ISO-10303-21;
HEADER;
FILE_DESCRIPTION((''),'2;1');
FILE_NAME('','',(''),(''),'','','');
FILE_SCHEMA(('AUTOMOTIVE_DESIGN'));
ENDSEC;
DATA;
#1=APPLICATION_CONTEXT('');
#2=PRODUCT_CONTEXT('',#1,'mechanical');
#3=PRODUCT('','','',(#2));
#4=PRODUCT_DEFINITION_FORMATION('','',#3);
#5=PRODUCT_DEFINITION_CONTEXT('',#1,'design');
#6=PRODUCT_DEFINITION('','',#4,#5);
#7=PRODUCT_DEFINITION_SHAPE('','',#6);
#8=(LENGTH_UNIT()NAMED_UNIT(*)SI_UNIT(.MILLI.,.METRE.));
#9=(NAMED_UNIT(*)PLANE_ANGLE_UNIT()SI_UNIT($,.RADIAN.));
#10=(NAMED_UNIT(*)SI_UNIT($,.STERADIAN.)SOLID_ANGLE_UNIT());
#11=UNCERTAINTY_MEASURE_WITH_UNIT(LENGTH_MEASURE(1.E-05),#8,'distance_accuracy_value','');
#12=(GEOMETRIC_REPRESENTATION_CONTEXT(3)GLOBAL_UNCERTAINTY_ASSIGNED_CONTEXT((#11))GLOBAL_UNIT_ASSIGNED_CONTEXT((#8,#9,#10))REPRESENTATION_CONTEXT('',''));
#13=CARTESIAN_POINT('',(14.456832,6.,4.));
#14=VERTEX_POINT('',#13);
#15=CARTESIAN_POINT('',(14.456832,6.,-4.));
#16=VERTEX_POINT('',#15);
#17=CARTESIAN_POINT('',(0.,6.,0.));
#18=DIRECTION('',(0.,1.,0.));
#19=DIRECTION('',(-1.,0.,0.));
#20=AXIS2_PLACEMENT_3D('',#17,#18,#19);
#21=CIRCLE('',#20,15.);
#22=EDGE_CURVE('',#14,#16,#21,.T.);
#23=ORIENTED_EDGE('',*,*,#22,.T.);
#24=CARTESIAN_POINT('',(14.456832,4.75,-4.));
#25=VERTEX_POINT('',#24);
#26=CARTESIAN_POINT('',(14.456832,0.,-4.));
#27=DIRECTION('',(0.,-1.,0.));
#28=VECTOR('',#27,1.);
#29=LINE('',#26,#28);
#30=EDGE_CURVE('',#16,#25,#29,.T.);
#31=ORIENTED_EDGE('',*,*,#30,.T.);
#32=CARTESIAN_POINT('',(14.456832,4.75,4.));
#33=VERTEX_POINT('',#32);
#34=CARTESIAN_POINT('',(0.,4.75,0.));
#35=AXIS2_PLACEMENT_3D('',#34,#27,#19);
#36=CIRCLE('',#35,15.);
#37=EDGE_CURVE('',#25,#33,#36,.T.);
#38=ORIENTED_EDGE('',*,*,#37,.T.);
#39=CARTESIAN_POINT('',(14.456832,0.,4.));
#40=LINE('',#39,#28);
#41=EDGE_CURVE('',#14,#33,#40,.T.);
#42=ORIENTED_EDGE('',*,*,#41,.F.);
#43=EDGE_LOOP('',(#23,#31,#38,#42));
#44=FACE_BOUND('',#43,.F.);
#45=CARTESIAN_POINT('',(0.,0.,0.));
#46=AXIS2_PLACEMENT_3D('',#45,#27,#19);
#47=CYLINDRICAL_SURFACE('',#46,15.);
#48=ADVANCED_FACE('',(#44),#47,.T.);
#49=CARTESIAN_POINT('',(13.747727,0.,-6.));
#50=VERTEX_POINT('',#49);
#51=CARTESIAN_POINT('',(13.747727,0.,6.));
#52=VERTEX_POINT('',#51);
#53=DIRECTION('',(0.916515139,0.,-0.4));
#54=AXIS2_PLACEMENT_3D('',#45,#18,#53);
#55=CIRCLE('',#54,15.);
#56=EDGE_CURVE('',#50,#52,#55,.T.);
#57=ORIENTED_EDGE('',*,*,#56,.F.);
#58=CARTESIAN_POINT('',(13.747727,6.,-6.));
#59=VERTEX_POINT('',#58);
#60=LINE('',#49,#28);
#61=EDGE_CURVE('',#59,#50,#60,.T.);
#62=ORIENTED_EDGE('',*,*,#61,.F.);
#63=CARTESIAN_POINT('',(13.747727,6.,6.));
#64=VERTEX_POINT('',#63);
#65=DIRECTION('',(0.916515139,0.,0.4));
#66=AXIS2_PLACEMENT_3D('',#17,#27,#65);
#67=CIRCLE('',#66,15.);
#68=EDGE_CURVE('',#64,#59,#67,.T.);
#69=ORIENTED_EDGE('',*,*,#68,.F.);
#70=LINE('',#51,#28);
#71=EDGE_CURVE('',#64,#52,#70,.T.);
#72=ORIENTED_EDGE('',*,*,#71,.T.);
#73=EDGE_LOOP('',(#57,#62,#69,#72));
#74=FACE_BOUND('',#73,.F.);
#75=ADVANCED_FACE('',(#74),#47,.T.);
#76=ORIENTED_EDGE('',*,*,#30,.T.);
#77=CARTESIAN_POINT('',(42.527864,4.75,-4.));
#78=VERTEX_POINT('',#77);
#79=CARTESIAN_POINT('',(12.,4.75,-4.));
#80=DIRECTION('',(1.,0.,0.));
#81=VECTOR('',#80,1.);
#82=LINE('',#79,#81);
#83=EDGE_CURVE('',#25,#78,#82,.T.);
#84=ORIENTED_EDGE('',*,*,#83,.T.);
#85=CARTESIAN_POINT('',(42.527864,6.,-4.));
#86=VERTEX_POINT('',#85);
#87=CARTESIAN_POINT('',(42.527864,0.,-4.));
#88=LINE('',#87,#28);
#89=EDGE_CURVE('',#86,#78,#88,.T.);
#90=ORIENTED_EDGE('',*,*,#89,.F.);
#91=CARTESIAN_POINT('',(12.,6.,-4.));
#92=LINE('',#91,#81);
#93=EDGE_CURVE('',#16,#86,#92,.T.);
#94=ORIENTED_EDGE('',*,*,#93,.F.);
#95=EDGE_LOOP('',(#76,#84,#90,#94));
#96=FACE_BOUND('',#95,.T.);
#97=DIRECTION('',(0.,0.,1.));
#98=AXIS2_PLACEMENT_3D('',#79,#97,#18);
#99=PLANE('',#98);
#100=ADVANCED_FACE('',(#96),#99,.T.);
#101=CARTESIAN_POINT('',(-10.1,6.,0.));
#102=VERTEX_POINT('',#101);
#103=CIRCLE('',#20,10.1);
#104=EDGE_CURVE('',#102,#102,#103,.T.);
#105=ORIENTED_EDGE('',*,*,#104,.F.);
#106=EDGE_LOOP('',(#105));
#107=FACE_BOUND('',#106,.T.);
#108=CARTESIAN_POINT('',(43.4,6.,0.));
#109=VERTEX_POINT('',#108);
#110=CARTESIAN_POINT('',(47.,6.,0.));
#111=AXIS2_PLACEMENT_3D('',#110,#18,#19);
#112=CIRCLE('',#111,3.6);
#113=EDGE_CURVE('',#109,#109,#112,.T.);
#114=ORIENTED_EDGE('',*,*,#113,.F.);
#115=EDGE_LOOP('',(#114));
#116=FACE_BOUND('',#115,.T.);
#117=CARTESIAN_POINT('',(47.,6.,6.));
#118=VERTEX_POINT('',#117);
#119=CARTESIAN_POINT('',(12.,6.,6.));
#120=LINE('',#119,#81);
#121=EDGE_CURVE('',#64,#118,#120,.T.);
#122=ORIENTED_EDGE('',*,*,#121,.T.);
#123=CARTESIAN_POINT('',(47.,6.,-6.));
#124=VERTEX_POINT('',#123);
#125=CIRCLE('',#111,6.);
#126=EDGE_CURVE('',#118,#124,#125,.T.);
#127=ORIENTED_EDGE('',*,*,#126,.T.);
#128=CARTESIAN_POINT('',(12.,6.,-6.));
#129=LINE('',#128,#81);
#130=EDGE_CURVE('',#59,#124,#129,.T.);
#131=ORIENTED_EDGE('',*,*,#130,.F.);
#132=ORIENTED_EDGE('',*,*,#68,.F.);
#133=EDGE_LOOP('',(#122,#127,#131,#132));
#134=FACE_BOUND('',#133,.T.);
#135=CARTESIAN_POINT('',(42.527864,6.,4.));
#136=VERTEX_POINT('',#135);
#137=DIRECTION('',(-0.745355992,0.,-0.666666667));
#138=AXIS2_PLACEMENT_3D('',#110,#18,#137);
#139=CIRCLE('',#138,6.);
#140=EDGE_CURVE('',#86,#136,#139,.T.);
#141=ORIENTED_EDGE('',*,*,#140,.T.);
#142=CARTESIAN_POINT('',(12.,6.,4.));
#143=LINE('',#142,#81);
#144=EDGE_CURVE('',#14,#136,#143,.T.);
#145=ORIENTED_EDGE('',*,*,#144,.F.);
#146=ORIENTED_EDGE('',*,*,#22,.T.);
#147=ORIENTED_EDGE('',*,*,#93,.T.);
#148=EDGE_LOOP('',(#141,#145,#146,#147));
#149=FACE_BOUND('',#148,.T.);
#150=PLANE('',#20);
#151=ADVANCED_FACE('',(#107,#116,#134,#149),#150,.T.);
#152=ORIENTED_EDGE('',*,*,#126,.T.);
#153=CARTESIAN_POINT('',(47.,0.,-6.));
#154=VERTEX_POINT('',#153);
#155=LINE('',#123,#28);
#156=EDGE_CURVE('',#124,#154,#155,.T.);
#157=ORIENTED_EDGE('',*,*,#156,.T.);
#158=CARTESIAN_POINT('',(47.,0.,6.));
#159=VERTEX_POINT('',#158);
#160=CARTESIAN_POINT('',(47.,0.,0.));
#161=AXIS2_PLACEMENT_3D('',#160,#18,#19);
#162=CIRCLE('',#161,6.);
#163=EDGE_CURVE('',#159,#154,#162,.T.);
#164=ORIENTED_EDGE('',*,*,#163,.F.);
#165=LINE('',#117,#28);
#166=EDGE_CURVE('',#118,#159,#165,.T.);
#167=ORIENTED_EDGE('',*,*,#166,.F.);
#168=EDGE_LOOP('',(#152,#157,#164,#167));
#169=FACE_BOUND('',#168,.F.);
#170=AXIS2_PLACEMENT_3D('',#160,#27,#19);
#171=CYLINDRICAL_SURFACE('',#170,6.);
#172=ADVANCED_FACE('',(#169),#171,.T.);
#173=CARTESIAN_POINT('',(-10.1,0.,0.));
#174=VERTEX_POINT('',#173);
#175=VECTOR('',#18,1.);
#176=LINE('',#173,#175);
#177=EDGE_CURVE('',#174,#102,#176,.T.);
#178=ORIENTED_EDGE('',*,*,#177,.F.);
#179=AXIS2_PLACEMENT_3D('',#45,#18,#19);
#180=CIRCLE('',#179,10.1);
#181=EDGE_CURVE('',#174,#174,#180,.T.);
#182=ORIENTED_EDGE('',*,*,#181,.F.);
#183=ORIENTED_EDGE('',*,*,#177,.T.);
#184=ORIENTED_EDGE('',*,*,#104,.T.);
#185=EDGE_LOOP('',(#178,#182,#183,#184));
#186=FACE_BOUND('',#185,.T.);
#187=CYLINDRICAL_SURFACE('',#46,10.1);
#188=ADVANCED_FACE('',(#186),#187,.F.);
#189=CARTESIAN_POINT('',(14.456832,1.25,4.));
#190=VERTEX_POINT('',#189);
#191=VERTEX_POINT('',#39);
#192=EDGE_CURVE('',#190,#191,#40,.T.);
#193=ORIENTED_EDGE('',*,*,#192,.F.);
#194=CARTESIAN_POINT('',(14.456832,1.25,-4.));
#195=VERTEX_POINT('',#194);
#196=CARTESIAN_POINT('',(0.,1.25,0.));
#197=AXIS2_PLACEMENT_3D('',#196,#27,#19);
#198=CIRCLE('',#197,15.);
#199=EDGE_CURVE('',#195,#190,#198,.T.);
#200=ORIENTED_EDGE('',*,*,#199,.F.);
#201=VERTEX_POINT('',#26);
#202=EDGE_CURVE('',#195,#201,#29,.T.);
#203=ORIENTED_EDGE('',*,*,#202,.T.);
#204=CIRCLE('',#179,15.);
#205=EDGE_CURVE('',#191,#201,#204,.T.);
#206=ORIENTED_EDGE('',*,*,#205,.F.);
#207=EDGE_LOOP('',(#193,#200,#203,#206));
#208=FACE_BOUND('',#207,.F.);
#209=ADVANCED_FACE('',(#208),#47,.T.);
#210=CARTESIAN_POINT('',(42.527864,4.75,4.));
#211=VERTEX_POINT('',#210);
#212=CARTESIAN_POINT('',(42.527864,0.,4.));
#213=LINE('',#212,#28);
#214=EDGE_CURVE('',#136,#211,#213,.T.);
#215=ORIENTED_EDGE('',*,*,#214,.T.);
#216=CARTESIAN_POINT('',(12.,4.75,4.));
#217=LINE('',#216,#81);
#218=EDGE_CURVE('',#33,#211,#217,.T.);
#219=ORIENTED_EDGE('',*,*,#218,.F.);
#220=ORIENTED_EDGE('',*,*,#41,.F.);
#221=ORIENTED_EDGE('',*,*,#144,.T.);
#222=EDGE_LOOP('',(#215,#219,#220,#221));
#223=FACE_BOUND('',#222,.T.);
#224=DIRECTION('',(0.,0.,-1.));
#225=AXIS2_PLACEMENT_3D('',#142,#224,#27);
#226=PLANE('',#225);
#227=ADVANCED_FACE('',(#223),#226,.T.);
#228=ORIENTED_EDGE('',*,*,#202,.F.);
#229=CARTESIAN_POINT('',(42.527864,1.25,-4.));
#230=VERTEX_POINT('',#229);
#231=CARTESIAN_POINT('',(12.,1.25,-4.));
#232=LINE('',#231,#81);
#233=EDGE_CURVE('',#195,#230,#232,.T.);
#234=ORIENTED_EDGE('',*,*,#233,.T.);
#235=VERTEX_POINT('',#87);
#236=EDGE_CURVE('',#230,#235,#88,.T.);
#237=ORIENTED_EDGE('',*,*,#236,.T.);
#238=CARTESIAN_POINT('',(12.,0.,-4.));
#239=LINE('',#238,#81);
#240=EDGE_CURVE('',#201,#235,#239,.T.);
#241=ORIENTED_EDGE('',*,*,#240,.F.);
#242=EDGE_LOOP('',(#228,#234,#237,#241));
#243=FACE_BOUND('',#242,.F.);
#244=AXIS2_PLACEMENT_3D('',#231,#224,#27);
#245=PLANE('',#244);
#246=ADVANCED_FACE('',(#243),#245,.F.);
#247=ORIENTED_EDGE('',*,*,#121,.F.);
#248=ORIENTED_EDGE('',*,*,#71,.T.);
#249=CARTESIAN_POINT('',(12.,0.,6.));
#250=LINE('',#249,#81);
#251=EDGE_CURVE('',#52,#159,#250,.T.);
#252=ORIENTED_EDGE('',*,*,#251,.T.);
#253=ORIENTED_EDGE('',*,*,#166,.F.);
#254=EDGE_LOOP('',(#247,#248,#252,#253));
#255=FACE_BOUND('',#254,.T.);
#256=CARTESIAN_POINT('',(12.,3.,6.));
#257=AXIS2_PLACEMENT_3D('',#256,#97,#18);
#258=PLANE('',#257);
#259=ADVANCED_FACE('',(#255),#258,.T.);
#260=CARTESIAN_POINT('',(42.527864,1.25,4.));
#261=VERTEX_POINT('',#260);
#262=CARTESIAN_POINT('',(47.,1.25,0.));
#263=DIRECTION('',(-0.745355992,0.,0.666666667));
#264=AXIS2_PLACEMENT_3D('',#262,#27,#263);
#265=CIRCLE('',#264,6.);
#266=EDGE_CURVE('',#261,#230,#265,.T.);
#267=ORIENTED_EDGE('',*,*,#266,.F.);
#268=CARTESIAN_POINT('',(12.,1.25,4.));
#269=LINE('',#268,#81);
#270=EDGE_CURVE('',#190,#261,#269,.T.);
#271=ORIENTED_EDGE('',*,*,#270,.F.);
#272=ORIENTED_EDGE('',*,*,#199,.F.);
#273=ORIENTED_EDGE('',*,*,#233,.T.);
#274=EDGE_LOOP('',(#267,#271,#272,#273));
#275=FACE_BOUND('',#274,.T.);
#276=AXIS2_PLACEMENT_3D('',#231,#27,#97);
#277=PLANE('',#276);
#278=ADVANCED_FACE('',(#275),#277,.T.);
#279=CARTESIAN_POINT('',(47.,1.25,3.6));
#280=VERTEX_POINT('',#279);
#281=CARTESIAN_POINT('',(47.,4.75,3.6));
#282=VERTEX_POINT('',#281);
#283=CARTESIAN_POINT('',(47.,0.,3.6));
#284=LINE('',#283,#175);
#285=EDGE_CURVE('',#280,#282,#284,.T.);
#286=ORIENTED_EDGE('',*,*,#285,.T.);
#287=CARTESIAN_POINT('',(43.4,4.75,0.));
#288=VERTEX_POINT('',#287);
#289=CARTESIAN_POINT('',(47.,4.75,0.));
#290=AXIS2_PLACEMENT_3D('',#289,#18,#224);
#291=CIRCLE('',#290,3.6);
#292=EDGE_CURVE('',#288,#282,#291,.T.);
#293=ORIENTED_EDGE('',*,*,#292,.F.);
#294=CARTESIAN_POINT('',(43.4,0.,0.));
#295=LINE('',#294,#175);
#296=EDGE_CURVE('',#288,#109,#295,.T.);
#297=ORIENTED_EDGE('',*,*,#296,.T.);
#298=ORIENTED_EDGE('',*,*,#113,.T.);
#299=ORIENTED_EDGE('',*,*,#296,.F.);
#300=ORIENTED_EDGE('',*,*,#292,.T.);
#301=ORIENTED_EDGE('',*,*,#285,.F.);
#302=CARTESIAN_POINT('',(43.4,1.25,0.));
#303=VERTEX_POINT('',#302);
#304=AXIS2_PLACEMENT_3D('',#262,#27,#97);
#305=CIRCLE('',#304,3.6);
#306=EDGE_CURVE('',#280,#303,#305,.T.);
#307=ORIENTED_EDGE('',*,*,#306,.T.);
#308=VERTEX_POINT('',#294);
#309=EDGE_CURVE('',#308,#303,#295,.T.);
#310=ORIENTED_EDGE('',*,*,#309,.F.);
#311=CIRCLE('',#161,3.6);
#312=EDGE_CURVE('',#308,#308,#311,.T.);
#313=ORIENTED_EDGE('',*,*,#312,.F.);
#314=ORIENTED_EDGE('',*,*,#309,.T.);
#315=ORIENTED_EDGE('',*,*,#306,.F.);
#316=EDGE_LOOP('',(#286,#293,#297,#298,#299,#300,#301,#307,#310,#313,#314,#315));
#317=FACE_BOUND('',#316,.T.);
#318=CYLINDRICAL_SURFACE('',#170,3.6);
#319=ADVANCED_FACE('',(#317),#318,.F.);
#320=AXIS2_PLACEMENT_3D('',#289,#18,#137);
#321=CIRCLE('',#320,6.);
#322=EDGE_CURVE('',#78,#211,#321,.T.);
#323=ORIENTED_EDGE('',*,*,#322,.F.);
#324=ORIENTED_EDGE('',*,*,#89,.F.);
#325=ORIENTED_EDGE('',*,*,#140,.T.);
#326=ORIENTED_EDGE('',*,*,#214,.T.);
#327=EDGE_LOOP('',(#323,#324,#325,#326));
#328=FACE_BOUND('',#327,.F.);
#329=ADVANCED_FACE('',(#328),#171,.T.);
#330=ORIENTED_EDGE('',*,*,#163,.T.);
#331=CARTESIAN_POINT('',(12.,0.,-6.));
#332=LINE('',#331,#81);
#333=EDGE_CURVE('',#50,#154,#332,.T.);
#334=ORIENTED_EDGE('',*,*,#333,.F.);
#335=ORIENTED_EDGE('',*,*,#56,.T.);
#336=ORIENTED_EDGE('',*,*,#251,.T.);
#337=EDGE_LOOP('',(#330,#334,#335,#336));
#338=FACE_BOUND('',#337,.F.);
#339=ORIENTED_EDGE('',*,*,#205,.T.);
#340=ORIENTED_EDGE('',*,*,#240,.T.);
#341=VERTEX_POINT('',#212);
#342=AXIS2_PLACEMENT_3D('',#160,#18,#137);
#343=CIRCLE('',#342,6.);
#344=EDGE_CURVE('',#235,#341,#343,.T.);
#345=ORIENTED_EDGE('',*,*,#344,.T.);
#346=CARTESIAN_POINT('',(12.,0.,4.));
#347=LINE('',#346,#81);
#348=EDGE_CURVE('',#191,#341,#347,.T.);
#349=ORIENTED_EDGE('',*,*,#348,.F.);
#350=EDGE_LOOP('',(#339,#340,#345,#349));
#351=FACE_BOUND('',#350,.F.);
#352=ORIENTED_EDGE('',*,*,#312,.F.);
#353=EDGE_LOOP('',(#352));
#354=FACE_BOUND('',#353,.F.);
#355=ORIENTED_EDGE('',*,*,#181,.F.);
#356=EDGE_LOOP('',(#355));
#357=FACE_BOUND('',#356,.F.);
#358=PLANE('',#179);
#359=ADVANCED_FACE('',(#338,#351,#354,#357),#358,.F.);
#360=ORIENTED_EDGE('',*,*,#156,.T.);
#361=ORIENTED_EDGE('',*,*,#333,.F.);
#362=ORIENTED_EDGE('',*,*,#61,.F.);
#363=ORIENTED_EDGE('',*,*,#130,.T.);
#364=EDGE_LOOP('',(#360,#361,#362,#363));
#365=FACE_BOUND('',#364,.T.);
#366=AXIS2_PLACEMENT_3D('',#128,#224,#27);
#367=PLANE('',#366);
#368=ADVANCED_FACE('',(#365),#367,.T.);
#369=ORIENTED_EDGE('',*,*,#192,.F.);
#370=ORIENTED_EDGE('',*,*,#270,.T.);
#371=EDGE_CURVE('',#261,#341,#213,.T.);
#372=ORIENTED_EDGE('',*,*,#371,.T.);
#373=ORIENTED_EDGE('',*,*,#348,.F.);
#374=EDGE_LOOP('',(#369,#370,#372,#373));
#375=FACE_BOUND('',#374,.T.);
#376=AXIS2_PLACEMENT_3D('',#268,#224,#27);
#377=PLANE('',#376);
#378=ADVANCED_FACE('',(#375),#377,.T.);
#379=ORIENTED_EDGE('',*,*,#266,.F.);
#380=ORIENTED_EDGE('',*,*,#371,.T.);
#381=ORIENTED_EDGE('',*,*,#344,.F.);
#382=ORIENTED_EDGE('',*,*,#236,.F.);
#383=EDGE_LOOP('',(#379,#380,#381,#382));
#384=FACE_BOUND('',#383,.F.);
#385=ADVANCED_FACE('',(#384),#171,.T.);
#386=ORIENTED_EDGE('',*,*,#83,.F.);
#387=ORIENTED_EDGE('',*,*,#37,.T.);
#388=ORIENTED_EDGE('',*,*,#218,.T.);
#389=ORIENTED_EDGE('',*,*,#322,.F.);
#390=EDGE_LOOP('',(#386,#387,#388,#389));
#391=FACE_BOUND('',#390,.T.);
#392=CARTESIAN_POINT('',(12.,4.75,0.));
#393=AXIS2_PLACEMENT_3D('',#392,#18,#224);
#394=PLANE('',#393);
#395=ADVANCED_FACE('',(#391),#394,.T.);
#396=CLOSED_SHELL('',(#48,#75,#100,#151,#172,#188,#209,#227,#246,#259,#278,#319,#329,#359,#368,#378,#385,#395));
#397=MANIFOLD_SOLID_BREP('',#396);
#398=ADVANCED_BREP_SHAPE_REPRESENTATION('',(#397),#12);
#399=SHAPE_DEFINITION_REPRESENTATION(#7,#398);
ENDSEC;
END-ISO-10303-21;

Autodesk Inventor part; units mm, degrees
ref_plane "XZ Plane" through (0, 0, 0) normal (0, 1, 0) x (-1, 0, 0)
ref_plane "XY Plane" through (0, 0, 0) normal (0, 0, 1) x (1, 0, 0)
sketch "草图1" plane through (0, 0, 0) normal (0, 1, 0) x (-1, 0, 0)
  circle A0 centre (0, 0) radius 10.1
  circle A1 centre (0, 0) radius 15
  dimension "d0" = 20.2
  dimension "d1" = 30
extrude "拉伸1" add sketch "草图1" along normal blind 6
ref_plane "工作平面1" through (12, 0, 0) normal (1, 0, 0) x (0, 1, 0)
sketch "草图2" plane through (12, 0, 0) normal (1, 0, 0) x (0, 1, 0)
  line L0 (6, -15) -> (6, 15) construction
  line L1 (6, -6) -> (0, -6)
  line L2 (0, -6) -> (0, 6) construction
  line L3 (0, -15) -> (0, 15) construction
  line L4 (6, 6) -> (6, -6) construction
  line L5 (0, 6) -> (6, 6)
  line L6 (6, 0) -> (0, 0)
  line L7 (6, 6) -> (6, 4)
  line L8 (6, 4) -> (4.75, 4)
  line L9 (4.75, 4) -> (4.75, -4)
  line L10 (4.75, -4) -> (6, -4)
  line L11 (6, -4) -> (6, -6)
  line L12 (0, -6) -> (0, -4)
  line L13 (1.25, -4) -> (0, -4)
  line L14 (1.25, -4) -> (1.25, 4)
  line L15 (1.25, 4) -> (0, 4)
  line L16 (0, 6) -> (0, 4)
  line L17 (3, 6) -> (3, -6)
  dimension "d5" = 12
  dimension "d6" = 2
  dimension "d7" = 3.5
extrude "拉伸2" add sketch "草图2" along normal blind 35
sketch "草图3" plane through (0, 0, 0) normal (0, 1, 0) x (-1, 0, 0)
  line L0 (-47, 4) -> (-47, -4) projected
  circle A0 centre (-47, 0) radius 6
  circle A1 centre (-47, 0) radius 3.6
  point P0 (0, 0)
  point P1 (-47, -6)
  dimension "d10" = 7.2
extrude "拉伸3" cut sketch "草图3" along normal mid plane 35 contours A1 L0 | L0 A1
extrude "拉伸4" add sketch "草图3" along normal blind 6
properties part number "偏心轮外连接件"
